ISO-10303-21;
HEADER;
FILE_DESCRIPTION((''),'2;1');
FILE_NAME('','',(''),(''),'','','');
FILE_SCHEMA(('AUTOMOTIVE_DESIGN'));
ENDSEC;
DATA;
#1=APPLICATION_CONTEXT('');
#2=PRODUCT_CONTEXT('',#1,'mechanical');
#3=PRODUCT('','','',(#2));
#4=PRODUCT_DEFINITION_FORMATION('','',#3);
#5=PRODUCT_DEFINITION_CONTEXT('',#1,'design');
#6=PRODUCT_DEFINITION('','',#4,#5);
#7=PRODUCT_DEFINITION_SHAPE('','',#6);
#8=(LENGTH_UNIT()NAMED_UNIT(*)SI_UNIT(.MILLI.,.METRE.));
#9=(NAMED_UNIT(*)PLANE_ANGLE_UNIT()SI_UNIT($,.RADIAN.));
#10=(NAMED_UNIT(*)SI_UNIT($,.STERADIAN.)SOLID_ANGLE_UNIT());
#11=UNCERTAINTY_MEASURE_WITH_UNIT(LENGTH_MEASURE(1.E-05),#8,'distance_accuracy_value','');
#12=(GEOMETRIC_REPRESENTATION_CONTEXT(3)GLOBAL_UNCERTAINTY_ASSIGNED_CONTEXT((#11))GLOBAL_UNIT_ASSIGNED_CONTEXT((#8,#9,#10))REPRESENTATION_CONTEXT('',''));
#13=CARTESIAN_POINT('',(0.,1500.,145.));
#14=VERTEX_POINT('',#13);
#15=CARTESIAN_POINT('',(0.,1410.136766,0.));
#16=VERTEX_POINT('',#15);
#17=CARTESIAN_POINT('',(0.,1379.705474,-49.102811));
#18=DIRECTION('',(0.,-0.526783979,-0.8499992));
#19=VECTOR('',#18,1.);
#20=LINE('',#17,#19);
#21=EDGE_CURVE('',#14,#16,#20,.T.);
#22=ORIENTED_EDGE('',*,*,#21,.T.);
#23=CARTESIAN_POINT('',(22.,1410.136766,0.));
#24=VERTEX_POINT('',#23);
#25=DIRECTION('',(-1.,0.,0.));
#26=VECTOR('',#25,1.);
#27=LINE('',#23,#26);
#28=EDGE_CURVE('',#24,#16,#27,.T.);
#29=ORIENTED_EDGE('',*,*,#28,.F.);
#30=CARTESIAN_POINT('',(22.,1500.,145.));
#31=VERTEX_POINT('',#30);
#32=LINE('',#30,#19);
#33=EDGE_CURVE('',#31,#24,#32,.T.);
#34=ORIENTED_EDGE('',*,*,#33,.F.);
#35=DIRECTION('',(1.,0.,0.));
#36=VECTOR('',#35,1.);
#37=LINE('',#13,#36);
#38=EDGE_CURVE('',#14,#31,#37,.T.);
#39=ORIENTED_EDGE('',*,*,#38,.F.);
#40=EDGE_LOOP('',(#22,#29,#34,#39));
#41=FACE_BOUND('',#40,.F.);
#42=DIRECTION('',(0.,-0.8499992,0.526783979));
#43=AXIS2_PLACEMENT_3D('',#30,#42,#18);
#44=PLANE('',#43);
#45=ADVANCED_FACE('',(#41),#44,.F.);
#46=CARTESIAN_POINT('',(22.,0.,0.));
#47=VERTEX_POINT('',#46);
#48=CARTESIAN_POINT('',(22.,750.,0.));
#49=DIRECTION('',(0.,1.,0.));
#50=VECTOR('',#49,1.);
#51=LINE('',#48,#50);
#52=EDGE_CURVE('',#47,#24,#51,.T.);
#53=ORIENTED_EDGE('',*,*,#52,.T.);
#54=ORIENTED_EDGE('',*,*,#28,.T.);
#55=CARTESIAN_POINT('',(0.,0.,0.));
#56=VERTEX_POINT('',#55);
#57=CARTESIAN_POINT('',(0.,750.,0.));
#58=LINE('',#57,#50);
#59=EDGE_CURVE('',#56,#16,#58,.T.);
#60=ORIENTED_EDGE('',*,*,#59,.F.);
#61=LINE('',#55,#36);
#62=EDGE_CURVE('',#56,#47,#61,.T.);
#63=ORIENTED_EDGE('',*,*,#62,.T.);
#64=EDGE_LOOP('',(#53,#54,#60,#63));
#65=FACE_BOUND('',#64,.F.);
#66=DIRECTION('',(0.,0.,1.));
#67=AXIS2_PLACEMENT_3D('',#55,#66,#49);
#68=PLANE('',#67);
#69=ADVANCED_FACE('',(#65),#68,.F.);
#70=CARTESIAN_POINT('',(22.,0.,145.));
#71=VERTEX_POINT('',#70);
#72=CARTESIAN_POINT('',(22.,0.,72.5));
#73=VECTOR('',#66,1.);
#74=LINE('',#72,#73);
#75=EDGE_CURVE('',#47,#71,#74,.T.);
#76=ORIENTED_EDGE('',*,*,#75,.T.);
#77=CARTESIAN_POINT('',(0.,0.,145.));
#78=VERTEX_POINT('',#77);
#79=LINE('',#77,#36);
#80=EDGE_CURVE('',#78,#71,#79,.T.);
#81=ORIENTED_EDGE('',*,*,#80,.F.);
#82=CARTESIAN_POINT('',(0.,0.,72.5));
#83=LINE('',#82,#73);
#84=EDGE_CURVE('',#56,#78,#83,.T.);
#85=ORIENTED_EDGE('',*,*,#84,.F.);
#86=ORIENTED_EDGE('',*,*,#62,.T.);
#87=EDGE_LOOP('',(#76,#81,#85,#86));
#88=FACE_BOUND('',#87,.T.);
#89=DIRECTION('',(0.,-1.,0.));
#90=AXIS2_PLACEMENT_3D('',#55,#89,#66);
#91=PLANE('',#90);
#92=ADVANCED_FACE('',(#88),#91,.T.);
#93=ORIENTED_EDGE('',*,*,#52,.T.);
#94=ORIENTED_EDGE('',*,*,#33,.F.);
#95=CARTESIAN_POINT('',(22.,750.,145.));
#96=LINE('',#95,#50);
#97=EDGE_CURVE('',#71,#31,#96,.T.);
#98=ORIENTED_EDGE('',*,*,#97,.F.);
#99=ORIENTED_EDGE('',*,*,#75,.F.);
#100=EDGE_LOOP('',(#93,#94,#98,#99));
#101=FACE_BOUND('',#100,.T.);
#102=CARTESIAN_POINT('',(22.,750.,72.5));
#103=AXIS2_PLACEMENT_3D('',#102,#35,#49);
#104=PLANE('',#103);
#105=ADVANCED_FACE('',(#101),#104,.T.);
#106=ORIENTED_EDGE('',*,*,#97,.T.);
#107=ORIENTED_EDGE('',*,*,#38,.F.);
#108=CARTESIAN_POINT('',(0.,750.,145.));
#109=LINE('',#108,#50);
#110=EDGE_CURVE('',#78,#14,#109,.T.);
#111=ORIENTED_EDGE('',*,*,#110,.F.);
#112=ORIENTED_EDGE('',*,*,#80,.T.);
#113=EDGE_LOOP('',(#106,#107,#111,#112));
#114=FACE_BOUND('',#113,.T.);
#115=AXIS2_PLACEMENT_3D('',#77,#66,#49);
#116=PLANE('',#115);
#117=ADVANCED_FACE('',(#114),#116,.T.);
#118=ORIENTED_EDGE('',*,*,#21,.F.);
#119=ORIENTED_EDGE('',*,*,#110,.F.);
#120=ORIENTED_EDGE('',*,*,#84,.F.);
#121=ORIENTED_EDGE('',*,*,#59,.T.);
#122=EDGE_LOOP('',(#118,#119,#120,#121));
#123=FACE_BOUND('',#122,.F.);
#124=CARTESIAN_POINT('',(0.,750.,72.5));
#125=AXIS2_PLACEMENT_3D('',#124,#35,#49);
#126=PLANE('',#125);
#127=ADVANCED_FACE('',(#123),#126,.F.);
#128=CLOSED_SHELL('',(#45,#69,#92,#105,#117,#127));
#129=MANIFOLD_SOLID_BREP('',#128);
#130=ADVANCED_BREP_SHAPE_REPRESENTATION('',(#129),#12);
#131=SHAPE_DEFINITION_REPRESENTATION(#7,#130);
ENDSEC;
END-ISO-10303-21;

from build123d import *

# Parameters (mm, degrees)
F0_W     = 1500
F0_H     = 145
F1_DEPTH = 22
F3_DEPTH = 25


with BuildPart() as f1:
    # F0 (on Right) → F1 (new body)
    with BuildSketch(Plane.YZ):
        with Locations((750, 72.5)):
            Rectangle(F0_W, F0_H)
    extrude(amount=F1_DEPTH)

    # F2 (on face) → F3 (cut)
    with BuildSketch(Plane.YZ.offset(22)):
        Polygon((1500, 0), (1410.136766, 0), (1395.988345, -22.829371), (1500, -22.829371), align=None)
        Polygon((1500, 0), (1500, 145), (1410.136766, 0), align=None)
    extrude(amount=-F3_DEPTH, mode=Mode.SUBTRACT)


solid = f1.part
